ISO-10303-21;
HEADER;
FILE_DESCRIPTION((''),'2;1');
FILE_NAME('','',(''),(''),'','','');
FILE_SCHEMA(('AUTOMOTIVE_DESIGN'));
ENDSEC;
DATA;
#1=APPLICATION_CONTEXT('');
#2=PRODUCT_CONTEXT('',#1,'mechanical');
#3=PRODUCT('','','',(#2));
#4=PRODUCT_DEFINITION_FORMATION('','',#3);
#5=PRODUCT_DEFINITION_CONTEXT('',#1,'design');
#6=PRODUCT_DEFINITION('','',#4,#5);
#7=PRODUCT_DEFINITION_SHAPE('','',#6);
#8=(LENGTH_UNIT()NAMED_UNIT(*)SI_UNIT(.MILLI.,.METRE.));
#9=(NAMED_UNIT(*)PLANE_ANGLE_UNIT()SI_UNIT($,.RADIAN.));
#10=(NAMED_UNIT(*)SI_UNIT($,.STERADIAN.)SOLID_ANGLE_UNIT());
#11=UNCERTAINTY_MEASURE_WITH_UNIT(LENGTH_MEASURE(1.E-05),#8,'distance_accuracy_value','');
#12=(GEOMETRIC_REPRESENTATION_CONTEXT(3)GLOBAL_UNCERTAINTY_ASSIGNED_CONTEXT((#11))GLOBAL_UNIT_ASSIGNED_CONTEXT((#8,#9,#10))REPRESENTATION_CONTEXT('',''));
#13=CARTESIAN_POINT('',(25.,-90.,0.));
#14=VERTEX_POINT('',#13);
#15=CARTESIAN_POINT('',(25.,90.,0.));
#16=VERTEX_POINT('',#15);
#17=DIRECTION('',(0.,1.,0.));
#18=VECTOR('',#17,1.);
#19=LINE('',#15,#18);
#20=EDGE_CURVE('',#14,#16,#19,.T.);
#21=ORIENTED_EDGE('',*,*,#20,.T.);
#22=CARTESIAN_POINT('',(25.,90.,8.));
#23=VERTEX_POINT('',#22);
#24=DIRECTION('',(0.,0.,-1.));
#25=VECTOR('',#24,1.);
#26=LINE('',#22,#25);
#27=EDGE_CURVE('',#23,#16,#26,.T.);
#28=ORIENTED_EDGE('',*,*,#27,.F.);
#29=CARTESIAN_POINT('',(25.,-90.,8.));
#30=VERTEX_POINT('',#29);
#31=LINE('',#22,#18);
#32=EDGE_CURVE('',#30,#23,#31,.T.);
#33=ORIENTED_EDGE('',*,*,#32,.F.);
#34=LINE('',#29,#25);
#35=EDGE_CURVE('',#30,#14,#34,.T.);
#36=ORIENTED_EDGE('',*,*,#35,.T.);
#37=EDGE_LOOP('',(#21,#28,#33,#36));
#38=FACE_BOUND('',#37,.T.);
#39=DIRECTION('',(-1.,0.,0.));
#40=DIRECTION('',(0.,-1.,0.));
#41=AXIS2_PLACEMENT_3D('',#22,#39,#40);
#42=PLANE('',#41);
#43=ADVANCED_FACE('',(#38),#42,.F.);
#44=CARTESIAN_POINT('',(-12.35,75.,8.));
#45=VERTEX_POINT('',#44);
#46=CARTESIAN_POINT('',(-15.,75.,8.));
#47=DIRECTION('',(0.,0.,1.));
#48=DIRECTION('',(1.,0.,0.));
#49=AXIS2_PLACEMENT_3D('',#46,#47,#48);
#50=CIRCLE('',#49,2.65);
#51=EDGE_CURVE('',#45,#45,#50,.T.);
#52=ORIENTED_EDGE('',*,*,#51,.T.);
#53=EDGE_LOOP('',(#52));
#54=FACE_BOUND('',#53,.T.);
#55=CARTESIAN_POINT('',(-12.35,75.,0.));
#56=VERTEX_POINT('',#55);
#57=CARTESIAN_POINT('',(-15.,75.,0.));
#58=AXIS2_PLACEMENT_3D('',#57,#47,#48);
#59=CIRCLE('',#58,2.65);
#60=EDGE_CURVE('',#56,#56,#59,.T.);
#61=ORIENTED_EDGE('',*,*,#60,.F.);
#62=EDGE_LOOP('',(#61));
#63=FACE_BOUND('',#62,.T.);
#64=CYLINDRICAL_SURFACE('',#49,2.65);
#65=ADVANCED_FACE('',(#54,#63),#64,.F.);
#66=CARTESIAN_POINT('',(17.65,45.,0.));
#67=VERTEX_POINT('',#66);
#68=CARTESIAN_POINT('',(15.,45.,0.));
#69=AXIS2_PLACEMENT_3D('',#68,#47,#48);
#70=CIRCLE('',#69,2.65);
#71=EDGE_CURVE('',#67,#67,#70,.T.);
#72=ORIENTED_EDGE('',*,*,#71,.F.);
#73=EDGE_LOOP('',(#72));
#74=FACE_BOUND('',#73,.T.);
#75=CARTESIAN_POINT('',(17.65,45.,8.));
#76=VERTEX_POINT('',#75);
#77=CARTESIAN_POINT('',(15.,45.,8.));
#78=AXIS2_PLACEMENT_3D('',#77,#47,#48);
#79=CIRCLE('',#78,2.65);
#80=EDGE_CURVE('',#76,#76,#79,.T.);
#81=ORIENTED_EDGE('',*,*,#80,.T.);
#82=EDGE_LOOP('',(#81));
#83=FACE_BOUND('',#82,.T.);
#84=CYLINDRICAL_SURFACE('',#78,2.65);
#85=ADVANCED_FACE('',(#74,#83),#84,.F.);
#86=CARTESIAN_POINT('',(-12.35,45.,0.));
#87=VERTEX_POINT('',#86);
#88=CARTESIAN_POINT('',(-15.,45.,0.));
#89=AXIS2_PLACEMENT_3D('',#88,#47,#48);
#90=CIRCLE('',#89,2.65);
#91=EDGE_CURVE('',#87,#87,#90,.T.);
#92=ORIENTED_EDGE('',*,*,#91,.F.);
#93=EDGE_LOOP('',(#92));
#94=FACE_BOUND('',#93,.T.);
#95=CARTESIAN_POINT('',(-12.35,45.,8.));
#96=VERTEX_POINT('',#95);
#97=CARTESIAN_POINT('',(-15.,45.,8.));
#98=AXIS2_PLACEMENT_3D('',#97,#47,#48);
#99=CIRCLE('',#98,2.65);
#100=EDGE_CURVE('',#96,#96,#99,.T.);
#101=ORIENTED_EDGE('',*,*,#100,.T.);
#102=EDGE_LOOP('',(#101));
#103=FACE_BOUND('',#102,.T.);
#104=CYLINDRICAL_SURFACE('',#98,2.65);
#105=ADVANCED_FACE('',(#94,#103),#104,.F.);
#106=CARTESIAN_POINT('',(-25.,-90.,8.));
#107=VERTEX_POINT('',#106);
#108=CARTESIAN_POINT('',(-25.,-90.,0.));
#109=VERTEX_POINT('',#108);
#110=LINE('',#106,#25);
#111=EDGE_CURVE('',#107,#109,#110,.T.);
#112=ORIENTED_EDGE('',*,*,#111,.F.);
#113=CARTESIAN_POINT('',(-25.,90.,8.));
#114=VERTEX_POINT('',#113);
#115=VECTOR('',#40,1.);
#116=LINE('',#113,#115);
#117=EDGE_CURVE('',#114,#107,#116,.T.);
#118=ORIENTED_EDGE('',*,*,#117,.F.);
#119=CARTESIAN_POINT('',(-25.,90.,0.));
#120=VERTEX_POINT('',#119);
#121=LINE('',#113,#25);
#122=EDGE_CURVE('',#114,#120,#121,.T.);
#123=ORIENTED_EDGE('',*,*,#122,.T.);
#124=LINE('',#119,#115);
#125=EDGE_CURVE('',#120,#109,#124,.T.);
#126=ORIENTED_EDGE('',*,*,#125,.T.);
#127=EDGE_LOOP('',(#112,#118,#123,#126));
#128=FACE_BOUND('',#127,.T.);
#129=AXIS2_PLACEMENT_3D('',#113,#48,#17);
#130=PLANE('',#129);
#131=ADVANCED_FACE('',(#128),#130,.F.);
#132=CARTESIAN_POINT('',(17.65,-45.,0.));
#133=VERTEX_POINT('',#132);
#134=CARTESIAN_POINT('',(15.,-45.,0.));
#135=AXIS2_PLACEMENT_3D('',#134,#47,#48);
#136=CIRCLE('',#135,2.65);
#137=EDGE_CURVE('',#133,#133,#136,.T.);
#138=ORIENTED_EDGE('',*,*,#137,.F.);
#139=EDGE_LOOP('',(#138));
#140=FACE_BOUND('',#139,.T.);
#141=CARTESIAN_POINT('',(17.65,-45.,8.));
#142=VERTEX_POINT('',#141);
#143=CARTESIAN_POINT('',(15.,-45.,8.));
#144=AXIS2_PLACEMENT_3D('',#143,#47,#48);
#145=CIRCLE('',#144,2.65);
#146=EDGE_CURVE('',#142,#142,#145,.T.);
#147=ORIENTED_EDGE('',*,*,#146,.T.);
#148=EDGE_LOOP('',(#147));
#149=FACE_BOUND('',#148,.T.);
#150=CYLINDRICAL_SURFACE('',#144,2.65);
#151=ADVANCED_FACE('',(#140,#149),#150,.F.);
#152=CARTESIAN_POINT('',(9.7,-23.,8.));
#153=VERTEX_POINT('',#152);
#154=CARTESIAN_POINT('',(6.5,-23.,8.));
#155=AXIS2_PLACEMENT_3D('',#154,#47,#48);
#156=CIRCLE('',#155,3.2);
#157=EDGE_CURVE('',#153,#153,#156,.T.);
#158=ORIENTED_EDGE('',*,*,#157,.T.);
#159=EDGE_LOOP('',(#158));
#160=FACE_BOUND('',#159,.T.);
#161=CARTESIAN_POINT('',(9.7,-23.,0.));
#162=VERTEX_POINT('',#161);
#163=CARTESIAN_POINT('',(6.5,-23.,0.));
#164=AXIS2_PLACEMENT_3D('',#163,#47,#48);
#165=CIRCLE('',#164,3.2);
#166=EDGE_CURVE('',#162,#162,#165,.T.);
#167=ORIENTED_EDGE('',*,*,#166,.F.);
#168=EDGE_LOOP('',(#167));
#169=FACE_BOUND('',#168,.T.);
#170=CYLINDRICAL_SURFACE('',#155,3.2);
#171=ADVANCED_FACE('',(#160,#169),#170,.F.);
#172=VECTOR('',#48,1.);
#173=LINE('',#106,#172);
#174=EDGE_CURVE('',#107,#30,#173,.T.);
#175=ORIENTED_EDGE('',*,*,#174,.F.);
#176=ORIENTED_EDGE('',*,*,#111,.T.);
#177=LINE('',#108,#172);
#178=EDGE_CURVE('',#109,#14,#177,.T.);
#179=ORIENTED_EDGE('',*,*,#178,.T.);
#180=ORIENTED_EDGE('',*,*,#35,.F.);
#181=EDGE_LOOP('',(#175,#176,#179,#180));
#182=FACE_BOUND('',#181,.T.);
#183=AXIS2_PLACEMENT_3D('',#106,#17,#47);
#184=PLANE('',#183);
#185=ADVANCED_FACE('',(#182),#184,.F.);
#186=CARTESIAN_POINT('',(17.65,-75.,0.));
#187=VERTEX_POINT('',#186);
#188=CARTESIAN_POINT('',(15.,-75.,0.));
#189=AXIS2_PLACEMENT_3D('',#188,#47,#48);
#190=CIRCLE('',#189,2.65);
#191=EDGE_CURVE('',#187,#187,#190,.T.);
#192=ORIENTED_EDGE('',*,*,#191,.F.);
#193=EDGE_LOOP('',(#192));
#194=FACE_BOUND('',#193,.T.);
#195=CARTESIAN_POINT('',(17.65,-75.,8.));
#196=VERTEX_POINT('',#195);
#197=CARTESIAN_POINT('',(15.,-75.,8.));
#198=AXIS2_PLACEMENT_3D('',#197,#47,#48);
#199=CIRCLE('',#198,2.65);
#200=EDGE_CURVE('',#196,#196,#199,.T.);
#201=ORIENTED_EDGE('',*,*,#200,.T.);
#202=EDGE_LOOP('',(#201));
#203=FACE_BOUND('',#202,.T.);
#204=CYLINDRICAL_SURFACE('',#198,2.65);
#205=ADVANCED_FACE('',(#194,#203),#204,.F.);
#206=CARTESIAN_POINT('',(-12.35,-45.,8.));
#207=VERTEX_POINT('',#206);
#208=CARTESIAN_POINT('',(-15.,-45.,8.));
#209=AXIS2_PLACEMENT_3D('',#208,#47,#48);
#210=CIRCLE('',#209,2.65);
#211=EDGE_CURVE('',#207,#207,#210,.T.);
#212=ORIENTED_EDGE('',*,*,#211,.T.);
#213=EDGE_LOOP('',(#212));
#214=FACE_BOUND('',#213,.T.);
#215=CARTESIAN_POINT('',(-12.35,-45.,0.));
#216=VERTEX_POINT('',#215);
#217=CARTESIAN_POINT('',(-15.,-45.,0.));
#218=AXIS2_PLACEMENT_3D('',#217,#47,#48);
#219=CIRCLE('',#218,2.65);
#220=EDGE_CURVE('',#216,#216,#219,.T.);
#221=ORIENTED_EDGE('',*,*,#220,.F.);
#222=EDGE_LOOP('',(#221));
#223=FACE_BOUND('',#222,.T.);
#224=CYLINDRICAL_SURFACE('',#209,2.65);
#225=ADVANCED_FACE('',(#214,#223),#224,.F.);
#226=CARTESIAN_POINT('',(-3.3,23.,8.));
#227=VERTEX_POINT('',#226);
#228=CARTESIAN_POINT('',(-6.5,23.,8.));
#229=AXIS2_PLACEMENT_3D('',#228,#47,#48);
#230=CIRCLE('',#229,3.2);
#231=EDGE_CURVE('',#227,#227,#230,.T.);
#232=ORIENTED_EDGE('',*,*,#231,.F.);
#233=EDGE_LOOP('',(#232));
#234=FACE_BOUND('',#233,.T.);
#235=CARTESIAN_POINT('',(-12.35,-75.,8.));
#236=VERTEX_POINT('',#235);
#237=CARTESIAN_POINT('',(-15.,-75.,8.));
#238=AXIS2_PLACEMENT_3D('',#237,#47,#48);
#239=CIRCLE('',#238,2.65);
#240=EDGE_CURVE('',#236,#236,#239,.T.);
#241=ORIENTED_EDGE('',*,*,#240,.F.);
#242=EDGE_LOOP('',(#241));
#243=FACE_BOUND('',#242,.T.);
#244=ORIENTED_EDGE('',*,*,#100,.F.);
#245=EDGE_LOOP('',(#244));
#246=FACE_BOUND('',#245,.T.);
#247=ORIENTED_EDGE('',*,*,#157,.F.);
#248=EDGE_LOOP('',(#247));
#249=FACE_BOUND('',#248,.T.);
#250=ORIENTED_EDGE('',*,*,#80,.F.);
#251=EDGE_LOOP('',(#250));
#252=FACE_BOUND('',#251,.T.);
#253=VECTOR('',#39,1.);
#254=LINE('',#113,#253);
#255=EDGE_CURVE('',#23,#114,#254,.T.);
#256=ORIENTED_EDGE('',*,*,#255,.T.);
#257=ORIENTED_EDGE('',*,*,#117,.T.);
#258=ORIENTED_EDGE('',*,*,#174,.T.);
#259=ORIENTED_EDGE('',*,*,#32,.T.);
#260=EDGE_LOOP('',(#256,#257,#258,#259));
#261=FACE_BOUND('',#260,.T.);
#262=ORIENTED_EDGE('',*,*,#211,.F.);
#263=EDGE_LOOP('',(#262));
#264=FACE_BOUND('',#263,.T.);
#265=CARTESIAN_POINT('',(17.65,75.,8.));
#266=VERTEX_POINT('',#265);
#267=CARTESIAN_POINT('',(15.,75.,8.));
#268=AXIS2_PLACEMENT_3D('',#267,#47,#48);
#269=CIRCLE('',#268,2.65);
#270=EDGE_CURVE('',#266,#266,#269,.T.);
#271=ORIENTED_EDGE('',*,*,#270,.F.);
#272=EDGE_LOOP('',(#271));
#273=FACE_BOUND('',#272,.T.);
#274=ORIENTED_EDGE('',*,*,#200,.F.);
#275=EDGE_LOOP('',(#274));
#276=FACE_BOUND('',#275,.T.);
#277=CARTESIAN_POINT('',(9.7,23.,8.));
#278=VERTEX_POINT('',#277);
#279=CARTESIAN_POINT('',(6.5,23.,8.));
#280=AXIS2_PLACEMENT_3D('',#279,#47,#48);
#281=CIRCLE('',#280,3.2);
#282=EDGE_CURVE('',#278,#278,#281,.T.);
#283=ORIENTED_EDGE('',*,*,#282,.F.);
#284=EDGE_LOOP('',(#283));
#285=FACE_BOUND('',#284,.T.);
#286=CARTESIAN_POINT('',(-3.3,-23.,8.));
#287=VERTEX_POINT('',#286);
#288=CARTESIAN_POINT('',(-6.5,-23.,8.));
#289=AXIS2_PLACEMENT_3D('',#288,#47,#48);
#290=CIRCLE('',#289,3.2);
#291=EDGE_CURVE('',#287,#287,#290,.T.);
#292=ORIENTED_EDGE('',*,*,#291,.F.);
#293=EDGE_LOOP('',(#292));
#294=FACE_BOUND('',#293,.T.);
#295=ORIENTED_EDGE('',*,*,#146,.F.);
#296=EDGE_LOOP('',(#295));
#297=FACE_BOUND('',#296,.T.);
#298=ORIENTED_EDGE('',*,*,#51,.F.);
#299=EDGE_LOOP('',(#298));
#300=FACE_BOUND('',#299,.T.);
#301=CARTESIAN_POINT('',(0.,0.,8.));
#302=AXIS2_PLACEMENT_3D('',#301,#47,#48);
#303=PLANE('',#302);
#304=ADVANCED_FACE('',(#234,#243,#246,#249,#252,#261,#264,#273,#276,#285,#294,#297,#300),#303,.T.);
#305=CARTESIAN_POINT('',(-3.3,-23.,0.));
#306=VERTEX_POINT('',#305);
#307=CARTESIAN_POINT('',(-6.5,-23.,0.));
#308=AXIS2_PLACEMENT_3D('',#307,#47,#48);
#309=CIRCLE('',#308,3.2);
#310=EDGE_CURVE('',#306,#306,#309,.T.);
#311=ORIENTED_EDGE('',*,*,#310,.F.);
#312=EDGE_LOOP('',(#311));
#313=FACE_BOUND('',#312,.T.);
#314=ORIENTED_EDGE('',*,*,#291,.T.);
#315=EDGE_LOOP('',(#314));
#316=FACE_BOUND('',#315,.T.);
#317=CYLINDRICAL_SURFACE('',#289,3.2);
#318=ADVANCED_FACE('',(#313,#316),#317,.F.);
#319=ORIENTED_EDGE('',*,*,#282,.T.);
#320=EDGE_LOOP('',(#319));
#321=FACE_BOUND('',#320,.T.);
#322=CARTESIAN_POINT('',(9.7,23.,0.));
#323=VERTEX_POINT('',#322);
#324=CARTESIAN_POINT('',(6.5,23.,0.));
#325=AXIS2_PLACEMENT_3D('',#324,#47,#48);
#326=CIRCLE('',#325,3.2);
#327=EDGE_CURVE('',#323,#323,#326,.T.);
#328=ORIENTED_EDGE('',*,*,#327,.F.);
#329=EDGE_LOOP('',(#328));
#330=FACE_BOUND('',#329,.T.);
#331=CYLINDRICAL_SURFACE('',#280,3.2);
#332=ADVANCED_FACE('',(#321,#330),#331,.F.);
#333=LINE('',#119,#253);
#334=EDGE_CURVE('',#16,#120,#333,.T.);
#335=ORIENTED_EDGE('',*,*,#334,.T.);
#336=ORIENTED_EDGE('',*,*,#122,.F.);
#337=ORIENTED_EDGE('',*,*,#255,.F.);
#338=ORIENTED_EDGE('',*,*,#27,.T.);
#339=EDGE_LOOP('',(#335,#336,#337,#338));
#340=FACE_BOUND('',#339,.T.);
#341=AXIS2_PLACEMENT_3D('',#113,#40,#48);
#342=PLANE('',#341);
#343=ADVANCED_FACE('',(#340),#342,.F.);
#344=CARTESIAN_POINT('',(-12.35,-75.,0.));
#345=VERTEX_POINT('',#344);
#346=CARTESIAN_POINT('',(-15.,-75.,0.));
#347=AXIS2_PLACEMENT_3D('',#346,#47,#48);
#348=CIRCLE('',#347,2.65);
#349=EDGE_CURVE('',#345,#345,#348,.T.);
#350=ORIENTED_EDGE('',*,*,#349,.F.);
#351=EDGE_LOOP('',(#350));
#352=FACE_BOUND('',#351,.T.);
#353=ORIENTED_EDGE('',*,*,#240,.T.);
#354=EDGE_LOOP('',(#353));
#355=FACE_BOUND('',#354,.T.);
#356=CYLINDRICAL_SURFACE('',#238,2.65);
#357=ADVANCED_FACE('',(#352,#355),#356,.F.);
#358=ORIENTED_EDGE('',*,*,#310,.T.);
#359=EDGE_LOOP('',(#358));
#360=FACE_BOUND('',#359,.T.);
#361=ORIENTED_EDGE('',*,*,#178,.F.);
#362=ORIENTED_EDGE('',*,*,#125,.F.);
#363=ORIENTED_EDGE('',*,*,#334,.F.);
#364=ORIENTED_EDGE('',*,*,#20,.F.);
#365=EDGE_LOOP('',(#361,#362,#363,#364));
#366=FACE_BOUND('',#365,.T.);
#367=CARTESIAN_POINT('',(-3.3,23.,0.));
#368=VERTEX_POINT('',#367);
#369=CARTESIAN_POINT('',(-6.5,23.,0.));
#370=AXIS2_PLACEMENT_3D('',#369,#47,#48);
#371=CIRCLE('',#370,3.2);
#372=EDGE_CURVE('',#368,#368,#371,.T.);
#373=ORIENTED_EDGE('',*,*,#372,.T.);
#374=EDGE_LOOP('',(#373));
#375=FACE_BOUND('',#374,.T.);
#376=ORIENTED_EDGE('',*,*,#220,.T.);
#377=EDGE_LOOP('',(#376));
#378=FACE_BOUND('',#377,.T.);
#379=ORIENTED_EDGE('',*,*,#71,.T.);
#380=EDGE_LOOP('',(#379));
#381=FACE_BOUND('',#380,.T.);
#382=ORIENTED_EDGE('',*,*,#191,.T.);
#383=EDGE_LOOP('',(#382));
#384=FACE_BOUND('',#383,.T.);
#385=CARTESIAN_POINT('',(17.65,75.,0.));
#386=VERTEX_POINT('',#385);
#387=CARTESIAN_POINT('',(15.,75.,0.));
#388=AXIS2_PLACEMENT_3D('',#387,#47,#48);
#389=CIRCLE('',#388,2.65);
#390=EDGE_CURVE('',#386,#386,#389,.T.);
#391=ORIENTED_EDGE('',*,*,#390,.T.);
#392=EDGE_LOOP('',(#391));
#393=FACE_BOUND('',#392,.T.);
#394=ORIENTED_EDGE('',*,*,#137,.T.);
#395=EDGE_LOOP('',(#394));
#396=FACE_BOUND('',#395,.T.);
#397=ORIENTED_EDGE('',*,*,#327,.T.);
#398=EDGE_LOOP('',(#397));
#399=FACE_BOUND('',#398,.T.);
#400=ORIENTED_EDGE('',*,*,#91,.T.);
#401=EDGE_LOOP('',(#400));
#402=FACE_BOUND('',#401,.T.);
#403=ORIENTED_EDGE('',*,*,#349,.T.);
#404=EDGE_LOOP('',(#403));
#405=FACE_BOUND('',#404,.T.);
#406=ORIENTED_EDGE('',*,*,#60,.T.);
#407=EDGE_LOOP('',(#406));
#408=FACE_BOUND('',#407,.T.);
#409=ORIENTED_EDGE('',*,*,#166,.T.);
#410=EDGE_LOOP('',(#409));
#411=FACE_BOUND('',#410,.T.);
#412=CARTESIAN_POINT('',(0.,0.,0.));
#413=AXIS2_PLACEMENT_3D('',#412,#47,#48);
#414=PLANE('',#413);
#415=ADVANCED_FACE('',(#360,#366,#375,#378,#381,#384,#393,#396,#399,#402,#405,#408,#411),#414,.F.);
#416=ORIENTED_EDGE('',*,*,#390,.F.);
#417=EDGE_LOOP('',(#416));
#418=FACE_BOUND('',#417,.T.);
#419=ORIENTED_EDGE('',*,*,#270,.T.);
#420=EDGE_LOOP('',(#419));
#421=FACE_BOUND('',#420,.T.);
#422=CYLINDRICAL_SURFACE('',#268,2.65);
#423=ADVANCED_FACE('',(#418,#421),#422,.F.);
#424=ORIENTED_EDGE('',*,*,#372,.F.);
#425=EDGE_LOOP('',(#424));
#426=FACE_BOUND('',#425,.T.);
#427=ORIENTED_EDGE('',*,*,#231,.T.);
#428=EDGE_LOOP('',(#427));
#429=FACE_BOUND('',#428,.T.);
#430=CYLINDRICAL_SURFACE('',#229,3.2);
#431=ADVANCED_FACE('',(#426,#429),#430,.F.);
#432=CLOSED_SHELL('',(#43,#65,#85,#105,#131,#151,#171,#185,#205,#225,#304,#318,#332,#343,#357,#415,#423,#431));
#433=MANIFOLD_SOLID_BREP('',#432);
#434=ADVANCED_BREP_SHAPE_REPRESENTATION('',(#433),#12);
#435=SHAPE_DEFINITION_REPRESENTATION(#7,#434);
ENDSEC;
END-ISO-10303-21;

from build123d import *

# Parameters (mm, degrees)
SKETCH1_W            = 50
SKETCH1_H            = 180
BOSS_EXTRUDE1_DEPTH  = 8
M5_CLEARANCE_HOLE1_D = 5.3
M6_CLEARANCE_HOLE1_D = 6.4


with BuildPart() as part:
    # Sketch1 → Boss-Extrude1 (new body)
    with BuildSketch(Plane.XY):
        Rectangle(SKETCH1_W, SKETCH1_H)
    extrude(amount=BOSS_EXTRUDE1_DEPTH)

    # M5 Clearance Hole1 (through all)
    with Locations(Plane.XY.offset(8)):
        with Locations((-15, 45), (-15, -45), (15, -45), (15, 45), (-15, 75), (-15, -75), (15, -75), (15, 75)):
            Hole(M5_CLEARANCE_HOLE1_D / 2)

    # M6 Clearance Hole1 (through all)
    with Locations(Plane.XY.offset(8)):
        with Locations((-6.5, 23), (-6.5, -23), (6.5, -23), (6.5, 23)):
            Hole(M6_CLEARANCE_HOLE1_D / 2)


solid = part.part
